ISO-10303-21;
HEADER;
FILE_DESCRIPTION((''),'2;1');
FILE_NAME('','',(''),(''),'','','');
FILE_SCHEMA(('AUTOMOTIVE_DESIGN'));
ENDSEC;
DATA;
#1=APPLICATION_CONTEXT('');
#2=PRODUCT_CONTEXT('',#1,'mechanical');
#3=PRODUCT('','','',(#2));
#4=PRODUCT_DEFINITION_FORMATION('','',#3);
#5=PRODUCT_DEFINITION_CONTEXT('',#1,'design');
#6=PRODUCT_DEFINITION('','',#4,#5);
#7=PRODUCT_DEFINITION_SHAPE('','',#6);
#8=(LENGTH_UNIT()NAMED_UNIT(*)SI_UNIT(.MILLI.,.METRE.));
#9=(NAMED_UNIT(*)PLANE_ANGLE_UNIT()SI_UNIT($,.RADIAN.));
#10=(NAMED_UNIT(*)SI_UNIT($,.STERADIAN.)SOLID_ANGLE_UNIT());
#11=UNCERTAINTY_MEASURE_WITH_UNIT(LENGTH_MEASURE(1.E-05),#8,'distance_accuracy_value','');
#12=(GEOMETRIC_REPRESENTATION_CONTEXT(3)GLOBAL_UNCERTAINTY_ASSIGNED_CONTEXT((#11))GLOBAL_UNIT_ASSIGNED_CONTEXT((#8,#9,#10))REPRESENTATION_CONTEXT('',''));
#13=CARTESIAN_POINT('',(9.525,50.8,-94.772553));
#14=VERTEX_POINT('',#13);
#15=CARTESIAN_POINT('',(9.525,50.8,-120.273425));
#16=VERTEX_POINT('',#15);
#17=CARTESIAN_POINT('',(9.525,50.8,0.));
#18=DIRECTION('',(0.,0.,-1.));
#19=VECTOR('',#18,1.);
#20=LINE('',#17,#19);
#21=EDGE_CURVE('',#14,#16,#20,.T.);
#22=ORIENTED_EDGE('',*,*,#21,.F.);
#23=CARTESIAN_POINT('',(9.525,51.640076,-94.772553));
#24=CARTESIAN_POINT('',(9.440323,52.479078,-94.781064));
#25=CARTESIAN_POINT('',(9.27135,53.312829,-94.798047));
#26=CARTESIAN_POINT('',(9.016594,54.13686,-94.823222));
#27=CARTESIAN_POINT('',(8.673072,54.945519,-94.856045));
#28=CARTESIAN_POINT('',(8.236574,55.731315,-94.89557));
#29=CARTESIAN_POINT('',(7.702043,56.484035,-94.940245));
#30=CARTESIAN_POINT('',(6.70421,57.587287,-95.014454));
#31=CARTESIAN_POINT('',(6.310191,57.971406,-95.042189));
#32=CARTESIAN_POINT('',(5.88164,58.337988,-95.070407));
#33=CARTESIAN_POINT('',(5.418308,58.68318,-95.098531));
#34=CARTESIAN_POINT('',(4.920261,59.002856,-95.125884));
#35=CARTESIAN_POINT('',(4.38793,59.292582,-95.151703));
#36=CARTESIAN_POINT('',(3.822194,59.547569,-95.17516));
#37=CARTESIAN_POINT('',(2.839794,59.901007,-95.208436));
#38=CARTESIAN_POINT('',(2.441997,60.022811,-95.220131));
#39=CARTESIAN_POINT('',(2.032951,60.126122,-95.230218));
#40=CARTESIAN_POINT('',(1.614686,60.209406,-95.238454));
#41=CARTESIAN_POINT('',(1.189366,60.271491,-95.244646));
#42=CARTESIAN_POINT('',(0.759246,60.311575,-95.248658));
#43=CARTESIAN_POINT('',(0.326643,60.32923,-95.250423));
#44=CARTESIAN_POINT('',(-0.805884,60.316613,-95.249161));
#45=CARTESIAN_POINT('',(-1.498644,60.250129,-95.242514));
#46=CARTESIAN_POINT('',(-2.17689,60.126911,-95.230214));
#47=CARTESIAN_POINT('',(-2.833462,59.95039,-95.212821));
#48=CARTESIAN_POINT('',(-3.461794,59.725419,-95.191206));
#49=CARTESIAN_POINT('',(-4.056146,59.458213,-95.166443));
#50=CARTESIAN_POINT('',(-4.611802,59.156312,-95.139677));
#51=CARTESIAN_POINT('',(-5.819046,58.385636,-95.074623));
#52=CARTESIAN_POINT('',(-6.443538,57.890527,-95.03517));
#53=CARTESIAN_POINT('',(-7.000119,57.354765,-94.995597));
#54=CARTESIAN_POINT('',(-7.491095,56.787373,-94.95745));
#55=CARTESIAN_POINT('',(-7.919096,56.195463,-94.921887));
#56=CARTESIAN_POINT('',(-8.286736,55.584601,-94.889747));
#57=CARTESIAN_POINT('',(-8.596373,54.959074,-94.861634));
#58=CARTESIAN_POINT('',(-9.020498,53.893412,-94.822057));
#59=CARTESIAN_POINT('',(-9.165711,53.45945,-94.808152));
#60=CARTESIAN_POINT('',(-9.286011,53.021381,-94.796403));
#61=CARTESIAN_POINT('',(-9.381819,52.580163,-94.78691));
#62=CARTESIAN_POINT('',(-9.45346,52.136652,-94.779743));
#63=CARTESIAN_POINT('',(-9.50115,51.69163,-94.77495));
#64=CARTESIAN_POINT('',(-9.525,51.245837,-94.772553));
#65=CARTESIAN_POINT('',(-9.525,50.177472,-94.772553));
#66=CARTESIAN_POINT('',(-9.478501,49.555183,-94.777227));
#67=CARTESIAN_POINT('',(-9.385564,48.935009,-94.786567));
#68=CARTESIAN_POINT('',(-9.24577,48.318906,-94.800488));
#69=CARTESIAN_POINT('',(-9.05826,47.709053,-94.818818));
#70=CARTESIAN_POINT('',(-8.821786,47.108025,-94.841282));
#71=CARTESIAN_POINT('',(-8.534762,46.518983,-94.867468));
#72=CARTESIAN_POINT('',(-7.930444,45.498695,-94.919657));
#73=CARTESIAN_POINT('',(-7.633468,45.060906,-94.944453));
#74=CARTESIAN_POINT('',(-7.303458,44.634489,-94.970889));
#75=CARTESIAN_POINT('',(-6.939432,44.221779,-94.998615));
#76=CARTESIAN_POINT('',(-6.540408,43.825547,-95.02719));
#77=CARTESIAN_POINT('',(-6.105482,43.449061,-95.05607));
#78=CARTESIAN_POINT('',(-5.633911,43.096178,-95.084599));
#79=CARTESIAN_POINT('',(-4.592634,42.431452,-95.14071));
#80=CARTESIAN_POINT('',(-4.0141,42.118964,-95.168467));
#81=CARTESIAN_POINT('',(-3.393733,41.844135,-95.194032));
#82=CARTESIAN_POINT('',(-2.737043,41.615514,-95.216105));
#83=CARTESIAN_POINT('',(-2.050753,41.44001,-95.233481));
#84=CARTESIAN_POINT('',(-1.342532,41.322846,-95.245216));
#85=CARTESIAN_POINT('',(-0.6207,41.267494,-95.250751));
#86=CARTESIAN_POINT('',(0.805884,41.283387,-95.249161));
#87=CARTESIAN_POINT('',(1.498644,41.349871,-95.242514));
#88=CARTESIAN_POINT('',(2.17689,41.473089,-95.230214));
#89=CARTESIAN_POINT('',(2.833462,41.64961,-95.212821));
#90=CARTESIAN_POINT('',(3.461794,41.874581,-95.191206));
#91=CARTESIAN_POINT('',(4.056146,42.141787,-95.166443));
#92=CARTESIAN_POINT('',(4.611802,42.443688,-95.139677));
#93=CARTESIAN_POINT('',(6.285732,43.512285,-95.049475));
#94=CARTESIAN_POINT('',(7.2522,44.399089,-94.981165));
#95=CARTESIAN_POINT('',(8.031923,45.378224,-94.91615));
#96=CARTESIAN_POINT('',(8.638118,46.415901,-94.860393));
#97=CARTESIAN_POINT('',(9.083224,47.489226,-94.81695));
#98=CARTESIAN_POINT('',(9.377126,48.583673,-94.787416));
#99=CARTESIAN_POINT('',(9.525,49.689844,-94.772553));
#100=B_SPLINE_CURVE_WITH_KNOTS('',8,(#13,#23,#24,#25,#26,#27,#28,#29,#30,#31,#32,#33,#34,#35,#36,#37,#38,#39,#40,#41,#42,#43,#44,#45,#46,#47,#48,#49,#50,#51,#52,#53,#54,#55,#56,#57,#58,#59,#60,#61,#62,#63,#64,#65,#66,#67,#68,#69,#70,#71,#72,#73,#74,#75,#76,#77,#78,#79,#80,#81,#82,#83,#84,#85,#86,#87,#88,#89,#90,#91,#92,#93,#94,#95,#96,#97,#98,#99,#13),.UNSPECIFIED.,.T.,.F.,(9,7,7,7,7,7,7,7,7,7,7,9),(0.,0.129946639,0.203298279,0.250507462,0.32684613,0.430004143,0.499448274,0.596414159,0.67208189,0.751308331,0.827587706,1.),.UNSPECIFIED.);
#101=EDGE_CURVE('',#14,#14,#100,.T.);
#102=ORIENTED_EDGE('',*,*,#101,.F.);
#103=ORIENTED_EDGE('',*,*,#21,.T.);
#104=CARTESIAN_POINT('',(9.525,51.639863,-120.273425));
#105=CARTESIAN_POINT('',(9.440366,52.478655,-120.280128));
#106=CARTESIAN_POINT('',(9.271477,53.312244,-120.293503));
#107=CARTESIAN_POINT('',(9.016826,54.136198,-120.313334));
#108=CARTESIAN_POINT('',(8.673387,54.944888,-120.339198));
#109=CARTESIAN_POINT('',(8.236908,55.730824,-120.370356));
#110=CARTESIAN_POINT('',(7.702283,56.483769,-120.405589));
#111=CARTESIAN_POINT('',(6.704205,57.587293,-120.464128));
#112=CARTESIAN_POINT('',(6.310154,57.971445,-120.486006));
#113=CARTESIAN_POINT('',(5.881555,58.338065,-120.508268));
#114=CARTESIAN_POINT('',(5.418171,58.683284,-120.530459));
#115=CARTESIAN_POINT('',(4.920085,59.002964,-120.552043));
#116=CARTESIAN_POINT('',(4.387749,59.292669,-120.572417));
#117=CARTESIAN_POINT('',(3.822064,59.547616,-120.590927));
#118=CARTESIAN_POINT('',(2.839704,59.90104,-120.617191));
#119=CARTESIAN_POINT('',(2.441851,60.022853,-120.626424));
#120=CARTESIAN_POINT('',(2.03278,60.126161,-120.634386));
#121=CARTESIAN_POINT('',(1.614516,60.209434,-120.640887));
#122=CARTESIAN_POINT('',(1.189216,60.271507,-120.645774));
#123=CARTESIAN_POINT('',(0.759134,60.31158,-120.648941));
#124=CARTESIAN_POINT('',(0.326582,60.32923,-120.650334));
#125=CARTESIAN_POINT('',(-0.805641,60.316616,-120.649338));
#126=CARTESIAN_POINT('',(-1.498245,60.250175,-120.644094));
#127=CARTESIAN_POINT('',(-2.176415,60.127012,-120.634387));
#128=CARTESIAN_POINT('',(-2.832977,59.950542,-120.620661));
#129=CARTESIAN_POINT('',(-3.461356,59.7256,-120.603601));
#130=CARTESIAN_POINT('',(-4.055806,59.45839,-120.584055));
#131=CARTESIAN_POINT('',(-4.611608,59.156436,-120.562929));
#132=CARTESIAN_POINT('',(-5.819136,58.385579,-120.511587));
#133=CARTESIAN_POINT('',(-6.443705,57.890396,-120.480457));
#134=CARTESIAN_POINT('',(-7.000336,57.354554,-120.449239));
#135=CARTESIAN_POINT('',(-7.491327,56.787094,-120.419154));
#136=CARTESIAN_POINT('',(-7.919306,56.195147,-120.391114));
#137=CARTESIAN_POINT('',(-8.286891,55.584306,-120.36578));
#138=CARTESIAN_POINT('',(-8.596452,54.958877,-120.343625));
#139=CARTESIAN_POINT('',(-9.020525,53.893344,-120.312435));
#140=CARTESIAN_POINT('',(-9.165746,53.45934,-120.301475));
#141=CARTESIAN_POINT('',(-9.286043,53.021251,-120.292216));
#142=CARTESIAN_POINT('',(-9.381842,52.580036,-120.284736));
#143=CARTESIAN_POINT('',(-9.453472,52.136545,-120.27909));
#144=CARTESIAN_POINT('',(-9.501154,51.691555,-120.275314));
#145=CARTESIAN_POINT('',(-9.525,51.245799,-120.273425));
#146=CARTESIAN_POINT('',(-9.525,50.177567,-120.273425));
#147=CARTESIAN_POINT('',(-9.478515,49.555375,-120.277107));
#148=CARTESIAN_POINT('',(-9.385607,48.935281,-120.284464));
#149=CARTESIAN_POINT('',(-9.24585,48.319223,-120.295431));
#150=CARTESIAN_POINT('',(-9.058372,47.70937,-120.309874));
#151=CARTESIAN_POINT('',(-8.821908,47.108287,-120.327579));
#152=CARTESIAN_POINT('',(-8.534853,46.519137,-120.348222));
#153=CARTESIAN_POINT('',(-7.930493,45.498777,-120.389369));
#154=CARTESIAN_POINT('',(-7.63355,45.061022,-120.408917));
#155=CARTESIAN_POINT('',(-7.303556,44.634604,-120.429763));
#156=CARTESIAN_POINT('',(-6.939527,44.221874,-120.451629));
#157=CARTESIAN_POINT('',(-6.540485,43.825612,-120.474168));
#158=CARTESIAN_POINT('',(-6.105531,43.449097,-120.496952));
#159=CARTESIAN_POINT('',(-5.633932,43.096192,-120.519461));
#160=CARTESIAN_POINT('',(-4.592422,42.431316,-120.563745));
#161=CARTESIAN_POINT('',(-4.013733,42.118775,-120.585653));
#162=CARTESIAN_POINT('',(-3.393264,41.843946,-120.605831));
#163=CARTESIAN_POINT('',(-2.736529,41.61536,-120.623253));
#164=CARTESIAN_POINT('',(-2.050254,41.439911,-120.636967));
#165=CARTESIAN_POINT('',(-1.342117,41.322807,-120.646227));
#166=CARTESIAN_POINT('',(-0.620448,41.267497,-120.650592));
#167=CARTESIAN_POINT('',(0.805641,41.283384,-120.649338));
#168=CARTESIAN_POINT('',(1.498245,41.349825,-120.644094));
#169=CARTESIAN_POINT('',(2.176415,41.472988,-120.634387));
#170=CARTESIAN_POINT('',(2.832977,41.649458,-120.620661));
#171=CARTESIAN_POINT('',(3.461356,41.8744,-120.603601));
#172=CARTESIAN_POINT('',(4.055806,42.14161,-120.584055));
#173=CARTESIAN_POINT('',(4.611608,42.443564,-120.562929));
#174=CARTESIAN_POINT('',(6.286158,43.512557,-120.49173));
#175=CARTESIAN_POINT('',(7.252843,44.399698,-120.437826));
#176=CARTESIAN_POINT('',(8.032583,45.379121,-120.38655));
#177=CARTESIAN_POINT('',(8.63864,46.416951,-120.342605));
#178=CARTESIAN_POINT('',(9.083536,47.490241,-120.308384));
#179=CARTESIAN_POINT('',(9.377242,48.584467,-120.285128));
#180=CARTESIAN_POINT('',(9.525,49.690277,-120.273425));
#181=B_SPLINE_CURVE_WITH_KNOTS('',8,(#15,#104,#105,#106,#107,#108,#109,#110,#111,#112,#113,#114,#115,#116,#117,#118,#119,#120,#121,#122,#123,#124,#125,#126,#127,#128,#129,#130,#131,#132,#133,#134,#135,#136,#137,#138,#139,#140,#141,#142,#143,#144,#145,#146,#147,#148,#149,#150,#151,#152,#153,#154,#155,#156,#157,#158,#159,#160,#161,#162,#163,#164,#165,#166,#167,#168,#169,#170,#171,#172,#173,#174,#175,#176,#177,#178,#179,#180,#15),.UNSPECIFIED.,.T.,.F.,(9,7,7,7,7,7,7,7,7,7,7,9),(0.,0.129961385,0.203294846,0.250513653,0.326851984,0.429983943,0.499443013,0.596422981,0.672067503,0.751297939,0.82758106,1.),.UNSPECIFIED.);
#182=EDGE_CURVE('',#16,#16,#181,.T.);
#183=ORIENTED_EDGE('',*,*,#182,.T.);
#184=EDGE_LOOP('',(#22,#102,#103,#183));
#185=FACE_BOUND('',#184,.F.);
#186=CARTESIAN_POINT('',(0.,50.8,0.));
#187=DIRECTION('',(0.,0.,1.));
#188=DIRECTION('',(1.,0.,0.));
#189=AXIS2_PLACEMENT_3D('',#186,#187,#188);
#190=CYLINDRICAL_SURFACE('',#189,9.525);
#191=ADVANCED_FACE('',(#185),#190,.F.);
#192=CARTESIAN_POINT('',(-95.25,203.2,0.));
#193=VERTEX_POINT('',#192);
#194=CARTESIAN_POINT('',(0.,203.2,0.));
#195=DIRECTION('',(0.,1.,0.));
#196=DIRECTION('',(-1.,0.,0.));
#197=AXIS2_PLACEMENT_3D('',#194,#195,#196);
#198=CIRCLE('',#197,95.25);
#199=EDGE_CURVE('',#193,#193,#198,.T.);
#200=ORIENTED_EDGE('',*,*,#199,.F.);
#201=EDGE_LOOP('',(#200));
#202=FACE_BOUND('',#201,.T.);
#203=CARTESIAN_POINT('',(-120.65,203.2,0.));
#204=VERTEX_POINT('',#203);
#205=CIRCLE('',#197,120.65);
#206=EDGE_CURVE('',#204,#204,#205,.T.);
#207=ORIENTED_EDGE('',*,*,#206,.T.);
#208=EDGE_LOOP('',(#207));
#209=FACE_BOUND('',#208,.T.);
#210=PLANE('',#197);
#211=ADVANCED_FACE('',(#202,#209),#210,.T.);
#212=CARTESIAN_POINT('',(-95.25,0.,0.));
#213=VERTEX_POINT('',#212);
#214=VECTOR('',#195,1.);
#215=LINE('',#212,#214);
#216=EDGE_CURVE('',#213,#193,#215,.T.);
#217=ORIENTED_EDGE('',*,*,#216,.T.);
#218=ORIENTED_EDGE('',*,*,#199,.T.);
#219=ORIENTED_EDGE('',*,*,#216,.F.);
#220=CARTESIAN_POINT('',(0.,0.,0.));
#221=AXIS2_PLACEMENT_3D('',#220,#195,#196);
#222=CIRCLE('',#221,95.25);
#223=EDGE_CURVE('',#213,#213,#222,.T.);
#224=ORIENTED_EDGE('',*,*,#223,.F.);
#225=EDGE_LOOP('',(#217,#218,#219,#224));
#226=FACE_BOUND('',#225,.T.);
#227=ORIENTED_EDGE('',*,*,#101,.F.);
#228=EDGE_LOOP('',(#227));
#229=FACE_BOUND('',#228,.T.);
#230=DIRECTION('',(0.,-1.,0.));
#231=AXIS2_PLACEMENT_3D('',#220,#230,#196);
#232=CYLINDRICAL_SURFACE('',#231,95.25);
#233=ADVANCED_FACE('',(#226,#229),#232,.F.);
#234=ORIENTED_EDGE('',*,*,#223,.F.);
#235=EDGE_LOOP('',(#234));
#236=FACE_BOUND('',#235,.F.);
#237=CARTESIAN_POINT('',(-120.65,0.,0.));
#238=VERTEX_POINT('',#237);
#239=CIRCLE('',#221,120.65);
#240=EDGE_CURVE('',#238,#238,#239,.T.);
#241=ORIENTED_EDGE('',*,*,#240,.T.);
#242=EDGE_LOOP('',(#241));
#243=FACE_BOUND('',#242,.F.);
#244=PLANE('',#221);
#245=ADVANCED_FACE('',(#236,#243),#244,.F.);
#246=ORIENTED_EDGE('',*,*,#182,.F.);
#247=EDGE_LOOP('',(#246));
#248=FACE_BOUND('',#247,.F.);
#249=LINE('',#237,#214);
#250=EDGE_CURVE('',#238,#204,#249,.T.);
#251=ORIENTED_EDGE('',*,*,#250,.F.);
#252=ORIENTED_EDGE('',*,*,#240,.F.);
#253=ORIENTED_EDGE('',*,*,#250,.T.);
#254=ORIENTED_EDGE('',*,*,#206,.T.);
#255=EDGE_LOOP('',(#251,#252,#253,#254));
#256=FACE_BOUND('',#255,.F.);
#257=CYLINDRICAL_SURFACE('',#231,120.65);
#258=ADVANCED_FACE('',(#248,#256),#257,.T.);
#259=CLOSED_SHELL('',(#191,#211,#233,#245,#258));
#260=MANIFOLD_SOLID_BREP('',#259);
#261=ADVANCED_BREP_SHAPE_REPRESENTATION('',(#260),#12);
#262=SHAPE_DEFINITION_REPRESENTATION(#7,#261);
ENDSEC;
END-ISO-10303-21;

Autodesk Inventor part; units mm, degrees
ref_plane "YZ Plane" through (0, 0, 0) normal (1, 0, 0) x (0, 1, 0)
ref_plane "XZ Plane" through (0, 0, 0) normal (0, 1, 0) x (-1, 0, 0)
ref_plane "XY Plane" through (0, 0, 0) normal (0, 0, 1) x (1, 0, 0)
sketch "Sketch1" plane through (0, 0, 0) normal (0, 1, 0) x (-1, 0, 0)
  circle A0 centre (0, 0) radius 95.25
  circle A1 centre (0, 0) radius 120.65
  dimension "d0" = 190.5
  dimension "d1" = 25.4
extrude "Extrusion1" add sketch "Sketch1" along normal blind 203.2
sketch "Sketch2" plane through (0, 0, 0) normal (0, 0, 1) x (1, 0, 0)
  circle A0 centre (0, 50.8) radius 9.525
  line L0 (120.65, 0) -> (-120.65, 0) projected
  point P0 (0, 0)
  point P1 (0, 0)
  dimension "d5" = 19.05
  dimension "d6" = 50.8
extrude "Extrusion2" cut sketch "Sketch2" against normal through all
properties part number "IL-01" material "Fiberglass Insulation"
